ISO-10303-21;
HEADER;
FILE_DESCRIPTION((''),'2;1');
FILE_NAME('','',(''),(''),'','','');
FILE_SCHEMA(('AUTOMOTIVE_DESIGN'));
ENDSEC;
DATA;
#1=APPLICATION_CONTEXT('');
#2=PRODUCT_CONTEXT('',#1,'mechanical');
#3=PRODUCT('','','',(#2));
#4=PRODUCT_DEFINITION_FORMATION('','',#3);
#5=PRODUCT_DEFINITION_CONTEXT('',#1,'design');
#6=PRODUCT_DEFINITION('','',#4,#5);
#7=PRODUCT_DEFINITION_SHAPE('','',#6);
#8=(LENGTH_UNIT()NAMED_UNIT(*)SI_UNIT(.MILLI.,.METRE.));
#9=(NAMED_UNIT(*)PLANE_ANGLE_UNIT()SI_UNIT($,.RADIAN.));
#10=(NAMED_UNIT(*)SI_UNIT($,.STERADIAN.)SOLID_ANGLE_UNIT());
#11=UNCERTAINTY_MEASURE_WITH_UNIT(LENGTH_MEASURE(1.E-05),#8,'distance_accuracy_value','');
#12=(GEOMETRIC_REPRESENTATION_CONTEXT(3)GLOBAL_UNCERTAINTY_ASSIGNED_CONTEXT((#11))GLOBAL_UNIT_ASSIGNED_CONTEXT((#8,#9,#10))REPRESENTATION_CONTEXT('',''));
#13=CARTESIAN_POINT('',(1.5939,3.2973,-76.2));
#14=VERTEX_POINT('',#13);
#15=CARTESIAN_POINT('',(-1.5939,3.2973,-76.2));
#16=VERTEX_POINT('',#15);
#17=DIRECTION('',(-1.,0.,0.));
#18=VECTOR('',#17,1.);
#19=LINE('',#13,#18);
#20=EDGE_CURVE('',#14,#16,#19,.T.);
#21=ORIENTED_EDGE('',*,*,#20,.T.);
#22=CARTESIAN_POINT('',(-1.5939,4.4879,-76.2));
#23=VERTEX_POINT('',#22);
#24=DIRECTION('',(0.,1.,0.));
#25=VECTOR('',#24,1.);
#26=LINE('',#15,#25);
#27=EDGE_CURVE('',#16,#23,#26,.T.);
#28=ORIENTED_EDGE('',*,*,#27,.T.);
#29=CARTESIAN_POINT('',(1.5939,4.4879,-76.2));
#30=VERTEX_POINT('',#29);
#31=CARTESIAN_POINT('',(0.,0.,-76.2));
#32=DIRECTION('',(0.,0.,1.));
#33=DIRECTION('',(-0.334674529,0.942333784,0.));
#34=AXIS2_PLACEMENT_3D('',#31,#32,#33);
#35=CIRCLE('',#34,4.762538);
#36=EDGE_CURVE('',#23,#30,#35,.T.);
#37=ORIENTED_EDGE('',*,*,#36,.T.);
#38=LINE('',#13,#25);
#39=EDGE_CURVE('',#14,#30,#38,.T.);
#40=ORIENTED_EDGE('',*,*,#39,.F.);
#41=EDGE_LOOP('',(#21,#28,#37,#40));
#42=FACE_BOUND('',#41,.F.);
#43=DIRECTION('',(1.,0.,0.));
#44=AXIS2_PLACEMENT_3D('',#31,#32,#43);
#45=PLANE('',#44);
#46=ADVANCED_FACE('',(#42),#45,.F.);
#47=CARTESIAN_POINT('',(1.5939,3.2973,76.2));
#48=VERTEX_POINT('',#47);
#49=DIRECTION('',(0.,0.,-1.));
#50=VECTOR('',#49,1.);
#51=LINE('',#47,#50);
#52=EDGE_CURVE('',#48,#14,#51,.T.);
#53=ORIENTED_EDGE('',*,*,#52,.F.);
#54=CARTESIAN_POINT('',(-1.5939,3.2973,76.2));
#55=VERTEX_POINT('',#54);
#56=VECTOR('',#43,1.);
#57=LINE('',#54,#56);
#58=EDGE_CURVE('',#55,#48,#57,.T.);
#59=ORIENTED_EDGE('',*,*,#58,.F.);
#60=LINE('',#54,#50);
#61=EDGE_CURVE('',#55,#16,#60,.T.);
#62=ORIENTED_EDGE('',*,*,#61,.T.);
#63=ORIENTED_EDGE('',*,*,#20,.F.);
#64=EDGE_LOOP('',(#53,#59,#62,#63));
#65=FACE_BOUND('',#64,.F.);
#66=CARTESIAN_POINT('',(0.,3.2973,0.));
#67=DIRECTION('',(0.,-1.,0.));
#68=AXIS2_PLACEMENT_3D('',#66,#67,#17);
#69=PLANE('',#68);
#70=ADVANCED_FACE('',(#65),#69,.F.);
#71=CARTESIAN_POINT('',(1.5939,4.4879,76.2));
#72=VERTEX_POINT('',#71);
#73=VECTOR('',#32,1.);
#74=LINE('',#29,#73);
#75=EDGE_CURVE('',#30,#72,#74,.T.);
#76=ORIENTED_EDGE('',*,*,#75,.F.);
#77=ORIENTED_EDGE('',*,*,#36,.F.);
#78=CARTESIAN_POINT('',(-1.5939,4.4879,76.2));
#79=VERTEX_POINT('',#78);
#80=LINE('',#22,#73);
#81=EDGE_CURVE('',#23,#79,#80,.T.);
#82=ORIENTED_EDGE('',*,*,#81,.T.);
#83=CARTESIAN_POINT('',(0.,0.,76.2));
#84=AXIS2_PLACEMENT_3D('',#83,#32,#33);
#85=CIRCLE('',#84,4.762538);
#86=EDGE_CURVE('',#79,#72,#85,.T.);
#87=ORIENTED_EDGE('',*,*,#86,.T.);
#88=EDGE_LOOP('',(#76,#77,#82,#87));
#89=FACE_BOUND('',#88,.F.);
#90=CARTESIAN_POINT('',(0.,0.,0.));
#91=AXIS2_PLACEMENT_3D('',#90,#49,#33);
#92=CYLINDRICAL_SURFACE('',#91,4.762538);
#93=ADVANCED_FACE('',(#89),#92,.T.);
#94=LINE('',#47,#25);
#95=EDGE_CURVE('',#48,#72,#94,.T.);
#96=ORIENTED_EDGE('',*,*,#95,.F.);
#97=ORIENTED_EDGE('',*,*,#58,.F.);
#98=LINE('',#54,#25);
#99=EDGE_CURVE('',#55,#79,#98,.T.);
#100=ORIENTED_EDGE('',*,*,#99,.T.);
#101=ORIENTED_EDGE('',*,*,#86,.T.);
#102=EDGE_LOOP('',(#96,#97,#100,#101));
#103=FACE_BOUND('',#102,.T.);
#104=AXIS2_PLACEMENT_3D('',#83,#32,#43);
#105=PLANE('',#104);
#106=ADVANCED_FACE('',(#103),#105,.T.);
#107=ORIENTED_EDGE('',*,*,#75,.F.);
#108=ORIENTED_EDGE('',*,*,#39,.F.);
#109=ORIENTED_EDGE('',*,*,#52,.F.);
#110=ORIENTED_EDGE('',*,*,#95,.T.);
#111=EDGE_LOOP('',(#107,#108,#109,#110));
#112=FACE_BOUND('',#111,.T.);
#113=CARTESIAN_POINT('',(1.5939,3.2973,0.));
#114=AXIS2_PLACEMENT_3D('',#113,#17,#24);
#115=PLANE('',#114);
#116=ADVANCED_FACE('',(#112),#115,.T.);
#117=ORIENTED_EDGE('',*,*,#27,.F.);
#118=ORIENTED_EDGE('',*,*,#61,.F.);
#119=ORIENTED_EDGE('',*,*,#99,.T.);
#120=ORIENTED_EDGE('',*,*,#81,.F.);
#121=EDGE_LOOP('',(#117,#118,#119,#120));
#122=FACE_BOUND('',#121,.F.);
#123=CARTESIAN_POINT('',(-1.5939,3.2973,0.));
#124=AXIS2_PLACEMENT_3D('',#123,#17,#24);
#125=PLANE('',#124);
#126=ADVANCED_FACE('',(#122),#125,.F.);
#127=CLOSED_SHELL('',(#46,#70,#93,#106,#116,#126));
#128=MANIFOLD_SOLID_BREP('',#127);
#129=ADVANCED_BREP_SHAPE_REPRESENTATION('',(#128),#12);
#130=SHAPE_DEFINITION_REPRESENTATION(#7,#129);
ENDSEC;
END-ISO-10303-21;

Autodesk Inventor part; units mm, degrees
ref_plane "YZ Plane" through (0, 0, 0) normal (1, 0, 0) x (0, 1, 0)
ref_plane "XZ Plane" through (0, 0, 0) normal (0, 1, 0) x (-1, 0, 0)
sketch "Sketch1" plane through (0, 0, 0) normal (0, 0, 1) x (1, 0, 0)
  arc A0 (-1.5939, 4.4879) -> (1.5939, 4.4879) centre (0, 0) ccw
  line L0 (0, 3.2973) -> (1.5939, 3.2973)
  line L1 (1.5939, 3.2973) -> (1.5939, 4.4879)
  line L2 (0, 4.7625) -> (0, 3.2973) construction
  line L3 (0, 3.2973) -> (-1.5939, 3.2973)
  line L4 (-1.5939, 3.2973) -> (-1.5939, 4.4879)
  dimension "d0" = 9.525
  dimension "d1" = 1.1906
  dimension "d2" = 1.5939
extrude "Extrusion1" add sketch "Sketch1" along normal mid plane 152.4
properties part number "5x3_8-keyedDriveShaft"
